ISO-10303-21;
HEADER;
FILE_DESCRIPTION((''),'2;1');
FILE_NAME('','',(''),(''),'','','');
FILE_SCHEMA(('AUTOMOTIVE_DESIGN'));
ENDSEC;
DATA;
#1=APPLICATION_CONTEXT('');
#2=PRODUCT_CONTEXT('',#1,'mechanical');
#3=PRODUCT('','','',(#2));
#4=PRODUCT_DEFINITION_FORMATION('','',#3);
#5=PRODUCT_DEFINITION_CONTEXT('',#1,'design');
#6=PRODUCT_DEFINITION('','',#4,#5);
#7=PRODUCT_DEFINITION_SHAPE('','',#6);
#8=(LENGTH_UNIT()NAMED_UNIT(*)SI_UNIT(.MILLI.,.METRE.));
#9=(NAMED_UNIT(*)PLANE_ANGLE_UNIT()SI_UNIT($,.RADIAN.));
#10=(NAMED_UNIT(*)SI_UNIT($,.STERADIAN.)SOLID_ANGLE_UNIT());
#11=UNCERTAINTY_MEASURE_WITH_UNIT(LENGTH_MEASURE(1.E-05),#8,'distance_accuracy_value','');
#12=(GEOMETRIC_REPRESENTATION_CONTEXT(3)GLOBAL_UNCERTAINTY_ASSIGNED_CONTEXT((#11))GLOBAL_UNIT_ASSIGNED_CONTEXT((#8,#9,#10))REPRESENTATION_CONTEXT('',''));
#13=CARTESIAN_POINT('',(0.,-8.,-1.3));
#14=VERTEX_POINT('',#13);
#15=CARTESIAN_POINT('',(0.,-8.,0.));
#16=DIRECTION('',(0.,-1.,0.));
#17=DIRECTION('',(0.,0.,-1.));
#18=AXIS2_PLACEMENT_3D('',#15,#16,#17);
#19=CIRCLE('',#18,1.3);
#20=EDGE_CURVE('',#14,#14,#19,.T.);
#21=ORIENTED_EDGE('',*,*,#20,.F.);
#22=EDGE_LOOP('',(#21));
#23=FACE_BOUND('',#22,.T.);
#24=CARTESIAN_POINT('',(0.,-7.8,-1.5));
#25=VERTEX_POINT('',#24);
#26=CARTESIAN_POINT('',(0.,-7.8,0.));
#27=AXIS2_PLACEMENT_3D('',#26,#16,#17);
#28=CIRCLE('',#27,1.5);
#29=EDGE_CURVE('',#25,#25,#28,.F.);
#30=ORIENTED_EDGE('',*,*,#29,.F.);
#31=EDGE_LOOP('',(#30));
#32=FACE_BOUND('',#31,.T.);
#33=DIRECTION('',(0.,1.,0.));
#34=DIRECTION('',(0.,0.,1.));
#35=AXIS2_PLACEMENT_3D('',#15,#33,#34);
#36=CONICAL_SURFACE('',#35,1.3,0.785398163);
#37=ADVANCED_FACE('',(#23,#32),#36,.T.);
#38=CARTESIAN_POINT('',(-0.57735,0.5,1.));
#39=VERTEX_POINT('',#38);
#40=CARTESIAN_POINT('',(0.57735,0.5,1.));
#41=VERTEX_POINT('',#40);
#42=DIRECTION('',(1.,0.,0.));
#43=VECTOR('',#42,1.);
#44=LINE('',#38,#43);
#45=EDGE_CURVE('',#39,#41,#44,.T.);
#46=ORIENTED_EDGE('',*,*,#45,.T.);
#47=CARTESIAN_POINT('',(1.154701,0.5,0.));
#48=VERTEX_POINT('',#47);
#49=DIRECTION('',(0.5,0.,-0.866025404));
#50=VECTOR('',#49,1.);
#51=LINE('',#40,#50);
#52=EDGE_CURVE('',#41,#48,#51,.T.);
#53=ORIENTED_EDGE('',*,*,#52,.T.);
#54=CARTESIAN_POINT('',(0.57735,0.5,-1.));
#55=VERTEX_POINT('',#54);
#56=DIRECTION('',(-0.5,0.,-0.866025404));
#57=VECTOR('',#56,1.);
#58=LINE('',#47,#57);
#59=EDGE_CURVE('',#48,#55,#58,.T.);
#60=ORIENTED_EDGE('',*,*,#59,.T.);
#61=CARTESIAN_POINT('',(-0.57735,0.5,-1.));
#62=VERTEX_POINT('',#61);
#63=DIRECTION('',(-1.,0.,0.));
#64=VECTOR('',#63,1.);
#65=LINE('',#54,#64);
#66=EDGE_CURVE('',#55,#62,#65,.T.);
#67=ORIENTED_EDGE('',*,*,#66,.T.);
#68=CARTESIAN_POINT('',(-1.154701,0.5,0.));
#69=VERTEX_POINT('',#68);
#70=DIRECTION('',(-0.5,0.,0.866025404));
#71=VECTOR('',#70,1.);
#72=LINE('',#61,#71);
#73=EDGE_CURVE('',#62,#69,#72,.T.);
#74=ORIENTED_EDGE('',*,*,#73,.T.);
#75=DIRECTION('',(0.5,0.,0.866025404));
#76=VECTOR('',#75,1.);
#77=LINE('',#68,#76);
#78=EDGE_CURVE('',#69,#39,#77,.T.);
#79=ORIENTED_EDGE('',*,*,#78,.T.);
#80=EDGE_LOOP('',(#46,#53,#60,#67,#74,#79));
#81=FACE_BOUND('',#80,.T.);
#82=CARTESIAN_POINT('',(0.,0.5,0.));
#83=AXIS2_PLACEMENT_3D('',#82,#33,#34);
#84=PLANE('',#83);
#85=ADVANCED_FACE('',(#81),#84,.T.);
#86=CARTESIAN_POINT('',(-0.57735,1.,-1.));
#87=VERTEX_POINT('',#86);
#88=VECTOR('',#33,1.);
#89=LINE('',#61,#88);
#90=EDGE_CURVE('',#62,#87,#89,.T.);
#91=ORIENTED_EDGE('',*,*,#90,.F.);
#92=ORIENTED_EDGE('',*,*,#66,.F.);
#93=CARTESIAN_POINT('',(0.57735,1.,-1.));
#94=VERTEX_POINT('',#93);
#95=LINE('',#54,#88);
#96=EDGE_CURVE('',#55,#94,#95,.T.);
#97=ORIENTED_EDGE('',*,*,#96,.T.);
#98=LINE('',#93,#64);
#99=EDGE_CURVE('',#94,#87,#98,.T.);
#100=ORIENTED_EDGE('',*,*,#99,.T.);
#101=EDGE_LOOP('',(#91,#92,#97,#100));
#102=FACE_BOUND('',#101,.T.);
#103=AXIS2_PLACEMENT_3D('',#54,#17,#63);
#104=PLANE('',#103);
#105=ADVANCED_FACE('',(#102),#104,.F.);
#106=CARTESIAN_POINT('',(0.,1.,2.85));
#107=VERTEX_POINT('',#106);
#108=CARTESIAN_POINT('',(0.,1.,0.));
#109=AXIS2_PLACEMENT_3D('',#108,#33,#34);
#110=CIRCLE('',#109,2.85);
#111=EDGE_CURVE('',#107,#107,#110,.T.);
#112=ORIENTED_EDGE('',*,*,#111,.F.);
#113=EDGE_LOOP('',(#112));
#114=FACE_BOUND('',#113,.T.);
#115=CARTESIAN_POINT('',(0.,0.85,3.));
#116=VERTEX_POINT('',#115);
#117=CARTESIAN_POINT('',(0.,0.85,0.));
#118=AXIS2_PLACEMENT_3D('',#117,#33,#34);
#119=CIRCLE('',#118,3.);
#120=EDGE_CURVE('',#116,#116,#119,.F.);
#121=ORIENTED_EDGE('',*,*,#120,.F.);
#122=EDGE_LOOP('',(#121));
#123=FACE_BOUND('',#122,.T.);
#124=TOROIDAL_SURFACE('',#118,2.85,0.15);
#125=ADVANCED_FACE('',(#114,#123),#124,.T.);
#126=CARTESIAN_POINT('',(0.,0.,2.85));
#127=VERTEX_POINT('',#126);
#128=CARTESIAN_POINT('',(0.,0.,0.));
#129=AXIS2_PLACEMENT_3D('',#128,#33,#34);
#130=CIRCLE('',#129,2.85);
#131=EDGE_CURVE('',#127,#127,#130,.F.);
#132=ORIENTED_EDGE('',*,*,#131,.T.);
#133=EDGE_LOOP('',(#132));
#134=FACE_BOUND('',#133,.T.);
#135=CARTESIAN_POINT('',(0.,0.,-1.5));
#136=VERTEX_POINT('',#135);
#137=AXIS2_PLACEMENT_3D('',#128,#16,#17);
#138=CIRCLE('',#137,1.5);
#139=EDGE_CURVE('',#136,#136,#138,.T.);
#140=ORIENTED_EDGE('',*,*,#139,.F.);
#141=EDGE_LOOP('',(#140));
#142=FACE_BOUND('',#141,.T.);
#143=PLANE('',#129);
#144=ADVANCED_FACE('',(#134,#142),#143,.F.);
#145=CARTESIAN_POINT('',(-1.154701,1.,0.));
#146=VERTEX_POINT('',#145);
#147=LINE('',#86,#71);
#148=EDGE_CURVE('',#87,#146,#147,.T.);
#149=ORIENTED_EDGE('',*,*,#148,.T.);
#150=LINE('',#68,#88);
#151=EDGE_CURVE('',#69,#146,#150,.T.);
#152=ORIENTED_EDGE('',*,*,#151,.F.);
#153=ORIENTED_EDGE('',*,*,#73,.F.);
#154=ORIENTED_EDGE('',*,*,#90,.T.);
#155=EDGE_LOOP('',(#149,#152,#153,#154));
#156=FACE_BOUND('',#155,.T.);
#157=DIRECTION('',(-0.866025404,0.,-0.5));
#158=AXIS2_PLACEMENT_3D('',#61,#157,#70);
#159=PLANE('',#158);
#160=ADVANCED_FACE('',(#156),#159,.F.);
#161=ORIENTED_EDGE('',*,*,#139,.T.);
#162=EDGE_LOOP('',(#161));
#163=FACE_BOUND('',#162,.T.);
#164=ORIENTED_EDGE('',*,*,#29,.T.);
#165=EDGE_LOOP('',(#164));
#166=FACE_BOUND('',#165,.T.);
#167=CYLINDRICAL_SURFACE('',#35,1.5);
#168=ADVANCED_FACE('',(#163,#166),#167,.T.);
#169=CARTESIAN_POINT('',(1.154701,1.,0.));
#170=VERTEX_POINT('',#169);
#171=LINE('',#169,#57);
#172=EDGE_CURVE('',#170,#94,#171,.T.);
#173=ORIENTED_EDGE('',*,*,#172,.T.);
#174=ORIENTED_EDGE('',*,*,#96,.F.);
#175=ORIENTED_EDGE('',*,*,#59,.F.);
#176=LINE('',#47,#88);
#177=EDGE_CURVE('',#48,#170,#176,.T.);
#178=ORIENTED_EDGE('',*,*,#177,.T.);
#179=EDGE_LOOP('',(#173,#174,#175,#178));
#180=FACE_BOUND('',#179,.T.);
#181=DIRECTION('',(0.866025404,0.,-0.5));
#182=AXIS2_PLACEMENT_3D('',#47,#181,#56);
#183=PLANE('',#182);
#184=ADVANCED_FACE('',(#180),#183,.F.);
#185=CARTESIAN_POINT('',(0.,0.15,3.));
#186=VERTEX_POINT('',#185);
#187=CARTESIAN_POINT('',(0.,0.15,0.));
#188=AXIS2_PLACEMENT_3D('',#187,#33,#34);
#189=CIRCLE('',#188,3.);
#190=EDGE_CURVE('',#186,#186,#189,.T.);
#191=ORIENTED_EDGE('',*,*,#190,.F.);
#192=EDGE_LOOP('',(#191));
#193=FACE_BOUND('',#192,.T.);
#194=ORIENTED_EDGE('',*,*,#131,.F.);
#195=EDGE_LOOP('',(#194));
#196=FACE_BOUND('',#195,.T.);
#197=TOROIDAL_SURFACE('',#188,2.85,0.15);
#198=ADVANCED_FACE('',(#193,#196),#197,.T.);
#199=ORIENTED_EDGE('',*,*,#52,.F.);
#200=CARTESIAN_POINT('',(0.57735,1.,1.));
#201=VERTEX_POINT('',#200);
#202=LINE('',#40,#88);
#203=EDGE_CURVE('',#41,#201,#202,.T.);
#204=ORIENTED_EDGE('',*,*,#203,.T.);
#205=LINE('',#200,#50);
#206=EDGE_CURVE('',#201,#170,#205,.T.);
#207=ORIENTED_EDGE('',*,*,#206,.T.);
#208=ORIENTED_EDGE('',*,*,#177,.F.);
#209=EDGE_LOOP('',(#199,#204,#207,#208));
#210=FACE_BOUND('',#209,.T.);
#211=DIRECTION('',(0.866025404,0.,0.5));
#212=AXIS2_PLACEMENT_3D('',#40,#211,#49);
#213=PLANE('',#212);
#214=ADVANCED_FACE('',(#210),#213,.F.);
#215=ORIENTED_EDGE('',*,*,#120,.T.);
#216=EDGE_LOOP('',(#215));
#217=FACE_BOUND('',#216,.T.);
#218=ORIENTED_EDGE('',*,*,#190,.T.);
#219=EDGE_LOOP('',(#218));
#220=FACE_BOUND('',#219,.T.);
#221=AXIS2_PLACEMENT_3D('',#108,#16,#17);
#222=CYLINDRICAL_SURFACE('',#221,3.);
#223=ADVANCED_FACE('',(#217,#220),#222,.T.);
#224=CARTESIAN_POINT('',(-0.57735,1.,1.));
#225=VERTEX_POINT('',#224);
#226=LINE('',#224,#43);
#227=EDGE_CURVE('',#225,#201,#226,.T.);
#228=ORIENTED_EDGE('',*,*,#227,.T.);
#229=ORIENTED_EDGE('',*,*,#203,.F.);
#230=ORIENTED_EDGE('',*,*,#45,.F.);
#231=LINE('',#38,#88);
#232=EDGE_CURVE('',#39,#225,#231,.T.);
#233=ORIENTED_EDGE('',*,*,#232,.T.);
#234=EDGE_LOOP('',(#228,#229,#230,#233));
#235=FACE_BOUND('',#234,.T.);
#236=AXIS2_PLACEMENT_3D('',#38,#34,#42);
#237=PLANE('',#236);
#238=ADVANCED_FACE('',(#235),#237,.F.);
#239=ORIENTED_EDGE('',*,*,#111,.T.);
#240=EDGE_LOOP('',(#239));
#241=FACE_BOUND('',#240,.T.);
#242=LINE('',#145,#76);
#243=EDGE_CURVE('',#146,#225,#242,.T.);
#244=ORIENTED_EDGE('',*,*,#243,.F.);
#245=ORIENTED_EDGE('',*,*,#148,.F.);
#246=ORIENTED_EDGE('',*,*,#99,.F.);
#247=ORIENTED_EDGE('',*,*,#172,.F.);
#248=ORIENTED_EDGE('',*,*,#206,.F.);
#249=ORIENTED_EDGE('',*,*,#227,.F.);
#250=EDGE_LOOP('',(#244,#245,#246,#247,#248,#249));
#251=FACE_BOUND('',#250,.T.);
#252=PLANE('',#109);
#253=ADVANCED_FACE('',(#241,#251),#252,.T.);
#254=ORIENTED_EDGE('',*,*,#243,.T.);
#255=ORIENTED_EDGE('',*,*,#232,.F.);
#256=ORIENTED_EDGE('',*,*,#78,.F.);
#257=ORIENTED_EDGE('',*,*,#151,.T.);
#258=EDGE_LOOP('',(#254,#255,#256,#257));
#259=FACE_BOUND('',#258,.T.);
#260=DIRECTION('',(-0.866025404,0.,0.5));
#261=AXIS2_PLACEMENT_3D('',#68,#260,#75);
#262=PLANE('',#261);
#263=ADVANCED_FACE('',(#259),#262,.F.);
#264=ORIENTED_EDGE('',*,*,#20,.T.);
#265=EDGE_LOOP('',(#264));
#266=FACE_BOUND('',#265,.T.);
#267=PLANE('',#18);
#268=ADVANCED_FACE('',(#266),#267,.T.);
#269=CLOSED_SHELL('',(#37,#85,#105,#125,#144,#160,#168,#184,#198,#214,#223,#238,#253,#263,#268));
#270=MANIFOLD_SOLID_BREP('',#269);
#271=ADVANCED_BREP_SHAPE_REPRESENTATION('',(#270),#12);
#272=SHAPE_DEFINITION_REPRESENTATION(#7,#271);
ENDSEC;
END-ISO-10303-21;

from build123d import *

# Parameters (mm, degrees)
SKETCH_1_R          = 3
EXTRUDE_1_DEPTH     = 1
SKETCH_2_R          = 1.5
EXTRUDE_2_DEPTH     = 8
FILLET_1_R          = 0.15
CHAMFER_1_SIZE      = 0.2
CUT_EXTRUDE_1_DEPTH = 0.5


with BuildPart() as part:
    # 草图1 → 凸台-拉伸1 (new body)
    with BuildSketch(Plane(origin=(0, 0, 0), x_dir=(1, 0, 0), z_dir=(0, 1, 0))):
        Circle(SKETCH_1_R)
    extrude(amount=EXTRUDE_1_DEPTH)

    # 草图2 → 凸台-拉伸2 (add)
    with BuildSketch(Plane.XZ):
        Circle(SKETCH_2_R)
    extrude(amount=EXTRUDE_2_DEPTH)

    # 圆角1
    fillet_1_edges = [part.edges().sort_by_distance(p)[0] for p in [
        (-3, 0, 0),
        (-3, 1, 0),
    ]]
    fillet(fillet_1_edges, radius=FILLET_1_R)

    # 倒角1
    chamfer_1_edges = [part.edges().sort_by_distance(p)[0] for p in [
        (-1.5, -8, 0),
    ]]
    chamfer(chamfer_1_edges, length=CHAMFER_1_SIZE)

    # 草图3 → 切除-拉伸1 (cut)
    with BuildSketch(Plane(origin=(0, 1, 0), x_dir=(1, 0, 0), z_dir=(0, 1, 0))):
        Polygon((1.154700538, 0), (0.577350269, 1), (-0.577350269, 1), (-1.154700538, 0), (-0.577350269, -1), (0.577350269, -1), align=None)
    extrude(amount=-CUT_EXTRUDE_1_DEPTH, mode=Mode.SUBTRACT)


solid = part.part
